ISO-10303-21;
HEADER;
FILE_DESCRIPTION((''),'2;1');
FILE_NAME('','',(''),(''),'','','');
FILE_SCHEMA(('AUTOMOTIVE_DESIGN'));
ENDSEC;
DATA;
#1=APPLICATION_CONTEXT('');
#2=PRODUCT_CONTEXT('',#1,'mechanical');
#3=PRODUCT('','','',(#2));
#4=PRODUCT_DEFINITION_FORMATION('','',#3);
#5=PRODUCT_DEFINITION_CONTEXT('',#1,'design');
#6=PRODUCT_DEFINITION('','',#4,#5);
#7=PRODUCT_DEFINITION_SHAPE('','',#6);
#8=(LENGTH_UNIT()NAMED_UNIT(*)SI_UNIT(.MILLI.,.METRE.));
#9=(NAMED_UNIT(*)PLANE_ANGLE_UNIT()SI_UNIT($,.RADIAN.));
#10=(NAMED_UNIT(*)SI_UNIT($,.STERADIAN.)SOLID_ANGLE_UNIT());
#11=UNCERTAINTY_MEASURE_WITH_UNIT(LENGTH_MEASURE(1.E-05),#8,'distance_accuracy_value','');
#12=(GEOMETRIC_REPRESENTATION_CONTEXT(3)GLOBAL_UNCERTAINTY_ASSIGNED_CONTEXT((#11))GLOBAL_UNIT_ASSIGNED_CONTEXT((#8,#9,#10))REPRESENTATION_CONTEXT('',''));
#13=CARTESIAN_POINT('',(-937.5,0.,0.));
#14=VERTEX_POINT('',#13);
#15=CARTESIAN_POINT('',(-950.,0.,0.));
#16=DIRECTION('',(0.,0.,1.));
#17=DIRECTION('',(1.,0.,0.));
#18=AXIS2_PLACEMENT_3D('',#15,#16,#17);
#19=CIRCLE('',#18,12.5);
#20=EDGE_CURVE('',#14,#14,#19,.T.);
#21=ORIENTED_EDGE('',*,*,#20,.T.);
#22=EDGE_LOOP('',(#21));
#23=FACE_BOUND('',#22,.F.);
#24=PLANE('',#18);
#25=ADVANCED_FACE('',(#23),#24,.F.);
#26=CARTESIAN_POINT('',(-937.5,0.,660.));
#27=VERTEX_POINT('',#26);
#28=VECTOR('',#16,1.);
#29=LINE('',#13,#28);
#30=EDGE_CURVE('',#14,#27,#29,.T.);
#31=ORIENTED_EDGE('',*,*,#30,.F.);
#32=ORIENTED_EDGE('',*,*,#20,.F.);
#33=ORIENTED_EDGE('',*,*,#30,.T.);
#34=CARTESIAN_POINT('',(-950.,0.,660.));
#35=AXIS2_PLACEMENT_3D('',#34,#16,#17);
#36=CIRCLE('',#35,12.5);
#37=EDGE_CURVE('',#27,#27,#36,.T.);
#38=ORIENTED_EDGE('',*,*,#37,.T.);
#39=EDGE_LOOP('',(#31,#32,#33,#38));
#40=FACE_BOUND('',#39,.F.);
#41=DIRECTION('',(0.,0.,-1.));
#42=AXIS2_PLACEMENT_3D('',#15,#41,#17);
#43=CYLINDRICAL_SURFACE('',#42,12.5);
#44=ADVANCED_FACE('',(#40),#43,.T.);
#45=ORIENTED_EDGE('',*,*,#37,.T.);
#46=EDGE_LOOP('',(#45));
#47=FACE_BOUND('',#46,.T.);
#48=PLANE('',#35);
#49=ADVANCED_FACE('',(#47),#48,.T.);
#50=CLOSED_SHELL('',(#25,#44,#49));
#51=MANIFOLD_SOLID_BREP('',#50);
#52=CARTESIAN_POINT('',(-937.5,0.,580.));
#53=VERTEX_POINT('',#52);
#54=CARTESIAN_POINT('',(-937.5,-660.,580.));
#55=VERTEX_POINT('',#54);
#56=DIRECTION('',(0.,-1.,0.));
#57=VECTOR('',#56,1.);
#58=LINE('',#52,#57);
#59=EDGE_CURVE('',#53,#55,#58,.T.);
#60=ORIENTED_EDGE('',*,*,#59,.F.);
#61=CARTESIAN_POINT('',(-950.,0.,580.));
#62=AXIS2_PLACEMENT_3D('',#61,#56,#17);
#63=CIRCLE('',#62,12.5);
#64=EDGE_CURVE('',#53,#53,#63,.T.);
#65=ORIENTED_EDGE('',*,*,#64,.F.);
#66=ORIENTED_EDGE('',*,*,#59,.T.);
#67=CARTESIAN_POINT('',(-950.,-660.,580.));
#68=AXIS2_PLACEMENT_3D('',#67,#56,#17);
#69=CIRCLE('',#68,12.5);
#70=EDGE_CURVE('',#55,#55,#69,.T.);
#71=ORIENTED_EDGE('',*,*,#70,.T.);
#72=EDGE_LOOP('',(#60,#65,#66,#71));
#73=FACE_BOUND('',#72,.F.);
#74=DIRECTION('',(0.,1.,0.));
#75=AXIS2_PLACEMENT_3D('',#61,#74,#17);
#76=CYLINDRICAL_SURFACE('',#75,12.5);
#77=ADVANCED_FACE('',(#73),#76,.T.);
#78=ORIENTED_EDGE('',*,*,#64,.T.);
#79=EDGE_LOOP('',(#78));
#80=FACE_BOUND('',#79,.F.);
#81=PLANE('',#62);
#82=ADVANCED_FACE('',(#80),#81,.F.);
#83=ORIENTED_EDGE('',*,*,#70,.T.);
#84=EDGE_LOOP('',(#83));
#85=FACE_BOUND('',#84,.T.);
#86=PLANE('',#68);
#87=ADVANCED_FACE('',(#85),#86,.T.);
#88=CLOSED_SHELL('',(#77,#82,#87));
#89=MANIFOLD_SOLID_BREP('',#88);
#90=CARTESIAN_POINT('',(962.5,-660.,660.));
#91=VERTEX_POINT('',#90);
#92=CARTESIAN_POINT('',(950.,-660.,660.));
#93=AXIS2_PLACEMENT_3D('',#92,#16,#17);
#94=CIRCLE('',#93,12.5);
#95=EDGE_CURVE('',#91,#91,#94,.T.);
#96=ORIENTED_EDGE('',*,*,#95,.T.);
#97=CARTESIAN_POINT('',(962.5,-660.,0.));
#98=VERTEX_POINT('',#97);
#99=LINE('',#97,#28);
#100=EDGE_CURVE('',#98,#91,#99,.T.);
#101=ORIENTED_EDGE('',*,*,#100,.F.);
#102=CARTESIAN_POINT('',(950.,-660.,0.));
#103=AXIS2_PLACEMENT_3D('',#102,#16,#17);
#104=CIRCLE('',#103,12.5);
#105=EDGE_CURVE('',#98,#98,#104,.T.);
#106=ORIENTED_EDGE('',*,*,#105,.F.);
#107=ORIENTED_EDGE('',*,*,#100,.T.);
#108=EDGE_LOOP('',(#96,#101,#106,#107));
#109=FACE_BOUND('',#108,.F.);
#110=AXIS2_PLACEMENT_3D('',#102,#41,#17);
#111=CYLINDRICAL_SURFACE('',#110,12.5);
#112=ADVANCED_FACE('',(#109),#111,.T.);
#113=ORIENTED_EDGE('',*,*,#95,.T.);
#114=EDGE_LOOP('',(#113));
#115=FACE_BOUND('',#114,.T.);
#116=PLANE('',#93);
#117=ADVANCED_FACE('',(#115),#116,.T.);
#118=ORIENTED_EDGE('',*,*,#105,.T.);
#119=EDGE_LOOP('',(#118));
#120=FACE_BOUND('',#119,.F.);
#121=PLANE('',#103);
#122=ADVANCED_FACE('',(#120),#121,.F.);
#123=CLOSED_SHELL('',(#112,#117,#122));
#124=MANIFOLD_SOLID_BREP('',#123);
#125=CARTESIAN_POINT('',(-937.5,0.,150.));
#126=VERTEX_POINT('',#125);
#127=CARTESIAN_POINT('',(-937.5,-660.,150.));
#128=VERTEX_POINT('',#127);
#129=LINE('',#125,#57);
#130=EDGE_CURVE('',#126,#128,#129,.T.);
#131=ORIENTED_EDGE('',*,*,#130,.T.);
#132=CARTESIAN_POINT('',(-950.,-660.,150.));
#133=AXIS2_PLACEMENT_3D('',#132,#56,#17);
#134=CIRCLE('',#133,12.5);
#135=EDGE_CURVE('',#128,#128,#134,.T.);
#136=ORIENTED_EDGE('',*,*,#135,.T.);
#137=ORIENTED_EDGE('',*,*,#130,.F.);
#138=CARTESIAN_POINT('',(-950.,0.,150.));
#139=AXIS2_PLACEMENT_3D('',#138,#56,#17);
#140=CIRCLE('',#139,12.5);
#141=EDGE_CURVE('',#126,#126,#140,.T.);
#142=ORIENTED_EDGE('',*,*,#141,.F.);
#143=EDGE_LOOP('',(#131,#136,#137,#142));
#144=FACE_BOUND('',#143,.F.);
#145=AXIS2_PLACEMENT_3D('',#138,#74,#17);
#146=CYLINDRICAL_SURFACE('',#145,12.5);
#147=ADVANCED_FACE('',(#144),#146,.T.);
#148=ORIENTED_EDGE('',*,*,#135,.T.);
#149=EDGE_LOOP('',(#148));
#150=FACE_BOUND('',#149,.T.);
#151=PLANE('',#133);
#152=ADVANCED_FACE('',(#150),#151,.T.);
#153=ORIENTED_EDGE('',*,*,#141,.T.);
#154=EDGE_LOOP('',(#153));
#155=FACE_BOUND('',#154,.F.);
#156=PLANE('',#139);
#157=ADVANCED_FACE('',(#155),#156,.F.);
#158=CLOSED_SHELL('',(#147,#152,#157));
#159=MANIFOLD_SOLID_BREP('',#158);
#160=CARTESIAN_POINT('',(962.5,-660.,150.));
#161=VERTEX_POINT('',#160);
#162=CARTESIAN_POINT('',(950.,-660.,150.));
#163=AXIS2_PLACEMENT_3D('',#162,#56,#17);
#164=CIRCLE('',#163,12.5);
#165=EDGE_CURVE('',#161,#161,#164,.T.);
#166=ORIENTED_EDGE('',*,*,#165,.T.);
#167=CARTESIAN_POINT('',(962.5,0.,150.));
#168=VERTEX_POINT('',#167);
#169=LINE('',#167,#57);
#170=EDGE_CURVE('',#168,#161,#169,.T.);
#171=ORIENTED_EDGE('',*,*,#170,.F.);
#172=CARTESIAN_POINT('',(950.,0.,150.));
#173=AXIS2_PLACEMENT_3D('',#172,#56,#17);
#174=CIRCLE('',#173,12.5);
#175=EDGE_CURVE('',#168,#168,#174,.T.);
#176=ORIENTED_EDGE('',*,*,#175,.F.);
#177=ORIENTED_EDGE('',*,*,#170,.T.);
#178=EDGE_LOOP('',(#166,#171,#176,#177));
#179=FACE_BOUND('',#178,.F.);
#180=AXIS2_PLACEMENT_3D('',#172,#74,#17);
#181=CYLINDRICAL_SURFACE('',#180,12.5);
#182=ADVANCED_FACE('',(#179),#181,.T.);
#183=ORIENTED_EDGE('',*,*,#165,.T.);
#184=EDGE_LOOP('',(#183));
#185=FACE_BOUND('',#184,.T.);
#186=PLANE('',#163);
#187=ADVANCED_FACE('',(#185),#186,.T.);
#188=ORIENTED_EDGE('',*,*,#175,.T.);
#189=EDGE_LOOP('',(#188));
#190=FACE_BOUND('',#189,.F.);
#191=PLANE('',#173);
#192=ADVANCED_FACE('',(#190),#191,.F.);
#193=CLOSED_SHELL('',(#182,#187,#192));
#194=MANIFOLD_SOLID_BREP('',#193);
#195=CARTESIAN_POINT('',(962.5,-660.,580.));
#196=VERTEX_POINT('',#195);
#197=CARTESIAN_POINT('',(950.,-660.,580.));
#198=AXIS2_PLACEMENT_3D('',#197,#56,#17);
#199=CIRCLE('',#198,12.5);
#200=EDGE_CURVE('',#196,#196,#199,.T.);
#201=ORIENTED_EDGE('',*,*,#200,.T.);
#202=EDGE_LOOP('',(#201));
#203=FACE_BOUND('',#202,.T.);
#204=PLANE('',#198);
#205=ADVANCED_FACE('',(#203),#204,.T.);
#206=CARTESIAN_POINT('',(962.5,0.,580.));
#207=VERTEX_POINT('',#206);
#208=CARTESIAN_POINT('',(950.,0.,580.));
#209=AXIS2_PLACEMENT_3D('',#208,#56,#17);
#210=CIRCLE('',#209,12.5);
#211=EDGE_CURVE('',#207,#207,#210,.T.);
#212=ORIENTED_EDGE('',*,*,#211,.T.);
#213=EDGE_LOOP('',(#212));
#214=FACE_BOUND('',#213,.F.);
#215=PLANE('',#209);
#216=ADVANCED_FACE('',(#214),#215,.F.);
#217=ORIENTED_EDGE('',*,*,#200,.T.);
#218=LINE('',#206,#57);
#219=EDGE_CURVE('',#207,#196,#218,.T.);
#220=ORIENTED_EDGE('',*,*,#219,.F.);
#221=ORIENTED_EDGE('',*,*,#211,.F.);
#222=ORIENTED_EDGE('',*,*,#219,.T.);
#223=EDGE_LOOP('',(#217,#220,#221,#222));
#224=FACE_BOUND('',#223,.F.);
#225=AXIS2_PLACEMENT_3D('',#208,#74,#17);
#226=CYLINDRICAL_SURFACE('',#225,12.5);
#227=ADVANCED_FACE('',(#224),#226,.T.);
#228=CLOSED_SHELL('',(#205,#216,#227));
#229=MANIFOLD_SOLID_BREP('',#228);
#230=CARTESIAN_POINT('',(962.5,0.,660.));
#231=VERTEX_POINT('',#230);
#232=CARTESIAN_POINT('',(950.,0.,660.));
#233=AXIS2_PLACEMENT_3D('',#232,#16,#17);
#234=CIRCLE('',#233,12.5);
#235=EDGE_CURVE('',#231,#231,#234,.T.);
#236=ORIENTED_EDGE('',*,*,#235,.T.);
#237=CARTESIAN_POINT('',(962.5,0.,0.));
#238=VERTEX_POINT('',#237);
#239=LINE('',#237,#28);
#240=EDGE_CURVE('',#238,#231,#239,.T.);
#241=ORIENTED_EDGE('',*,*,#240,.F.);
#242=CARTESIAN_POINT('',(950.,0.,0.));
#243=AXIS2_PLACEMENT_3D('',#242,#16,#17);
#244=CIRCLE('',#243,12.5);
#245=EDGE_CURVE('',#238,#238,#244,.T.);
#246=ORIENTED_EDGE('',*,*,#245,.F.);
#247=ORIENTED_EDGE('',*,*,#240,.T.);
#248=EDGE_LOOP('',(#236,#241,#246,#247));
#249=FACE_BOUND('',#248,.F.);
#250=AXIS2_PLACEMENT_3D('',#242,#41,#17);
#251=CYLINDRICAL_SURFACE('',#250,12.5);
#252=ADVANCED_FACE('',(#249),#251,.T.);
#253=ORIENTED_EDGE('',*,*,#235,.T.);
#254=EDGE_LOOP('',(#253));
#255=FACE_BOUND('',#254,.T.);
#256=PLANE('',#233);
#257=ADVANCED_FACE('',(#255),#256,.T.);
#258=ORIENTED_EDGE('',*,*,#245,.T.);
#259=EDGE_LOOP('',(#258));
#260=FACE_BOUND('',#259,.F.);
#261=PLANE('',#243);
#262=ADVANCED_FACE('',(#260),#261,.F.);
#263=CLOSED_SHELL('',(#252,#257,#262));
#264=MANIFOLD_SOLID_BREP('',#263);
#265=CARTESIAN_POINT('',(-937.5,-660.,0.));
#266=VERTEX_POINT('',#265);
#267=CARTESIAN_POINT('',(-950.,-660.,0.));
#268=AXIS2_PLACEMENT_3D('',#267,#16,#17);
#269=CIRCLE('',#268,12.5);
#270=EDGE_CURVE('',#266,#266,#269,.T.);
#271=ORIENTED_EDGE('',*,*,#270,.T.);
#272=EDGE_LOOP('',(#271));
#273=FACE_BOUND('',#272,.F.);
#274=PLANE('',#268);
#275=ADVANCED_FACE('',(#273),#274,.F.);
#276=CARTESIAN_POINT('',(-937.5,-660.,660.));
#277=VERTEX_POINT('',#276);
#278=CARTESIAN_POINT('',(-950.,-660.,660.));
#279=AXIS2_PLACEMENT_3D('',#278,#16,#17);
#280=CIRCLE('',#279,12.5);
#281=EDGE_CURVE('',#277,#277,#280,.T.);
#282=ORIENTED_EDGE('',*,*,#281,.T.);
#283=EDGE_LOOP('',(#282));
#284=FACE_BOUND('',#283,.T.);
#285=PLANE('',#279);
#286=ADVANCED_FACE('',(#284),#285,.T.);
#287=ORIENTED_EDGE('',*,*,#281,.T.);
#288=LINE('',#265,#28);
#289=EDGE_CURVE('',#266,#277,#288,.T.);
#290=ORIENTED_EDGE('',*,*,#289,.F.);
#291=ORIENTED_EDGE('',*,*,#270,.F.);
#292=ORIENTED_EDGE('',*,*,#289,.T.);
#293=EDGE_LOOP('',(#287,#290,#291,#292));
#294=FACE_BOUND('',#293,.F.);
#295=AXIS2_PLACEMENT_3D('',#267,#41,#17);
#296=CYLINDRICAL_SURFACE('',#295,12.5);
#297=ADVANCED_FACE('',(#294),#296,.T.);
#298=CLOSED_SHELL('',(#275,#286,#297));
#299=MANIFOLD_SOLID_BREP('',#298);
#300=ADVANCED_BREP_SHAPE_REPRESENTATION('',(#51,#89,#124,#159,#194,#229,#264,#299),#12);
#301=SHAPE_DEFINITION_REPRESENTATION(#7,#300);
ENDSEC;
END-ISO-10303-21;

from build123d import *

# Parameters (mm, degrees)
F0_R     = 12.5
F1_DEPTH = 660
F2_R     = 12.5
F3_DEPTH = 660


with BuildPart() as f1:
    # F0 (on Top) → F1 (new body)
    with BuildSketch(Plane.XY):
        with Locations((-950, 0)):
            Circle(F0_R)
        with Locations((-950, -660)):
            Circle(F0_R)
        with Locations((950, -660)):
            Circle(F0_R)
        with Locations((950, 0)):
            Circle(F0_R)
    extrude(amount=F1_DEPTH)


with BuildPart() as f3:
    # F2 (on Front) → F3 (new body)
    with BuildSketch(Plane.XZ):
        with Locations((-950, 580)):
            Circle(F2_R)
        with Locations((-950, 150)):
            Circle(F2_R)
        with Locations((950, 580)):
            Circle(F2_R)
        with Locations((950, 150)):
            Circle(F2_R)
    extrude(amount=F3_DEPTH)


solid = Compound([f1.part, f3.part])
